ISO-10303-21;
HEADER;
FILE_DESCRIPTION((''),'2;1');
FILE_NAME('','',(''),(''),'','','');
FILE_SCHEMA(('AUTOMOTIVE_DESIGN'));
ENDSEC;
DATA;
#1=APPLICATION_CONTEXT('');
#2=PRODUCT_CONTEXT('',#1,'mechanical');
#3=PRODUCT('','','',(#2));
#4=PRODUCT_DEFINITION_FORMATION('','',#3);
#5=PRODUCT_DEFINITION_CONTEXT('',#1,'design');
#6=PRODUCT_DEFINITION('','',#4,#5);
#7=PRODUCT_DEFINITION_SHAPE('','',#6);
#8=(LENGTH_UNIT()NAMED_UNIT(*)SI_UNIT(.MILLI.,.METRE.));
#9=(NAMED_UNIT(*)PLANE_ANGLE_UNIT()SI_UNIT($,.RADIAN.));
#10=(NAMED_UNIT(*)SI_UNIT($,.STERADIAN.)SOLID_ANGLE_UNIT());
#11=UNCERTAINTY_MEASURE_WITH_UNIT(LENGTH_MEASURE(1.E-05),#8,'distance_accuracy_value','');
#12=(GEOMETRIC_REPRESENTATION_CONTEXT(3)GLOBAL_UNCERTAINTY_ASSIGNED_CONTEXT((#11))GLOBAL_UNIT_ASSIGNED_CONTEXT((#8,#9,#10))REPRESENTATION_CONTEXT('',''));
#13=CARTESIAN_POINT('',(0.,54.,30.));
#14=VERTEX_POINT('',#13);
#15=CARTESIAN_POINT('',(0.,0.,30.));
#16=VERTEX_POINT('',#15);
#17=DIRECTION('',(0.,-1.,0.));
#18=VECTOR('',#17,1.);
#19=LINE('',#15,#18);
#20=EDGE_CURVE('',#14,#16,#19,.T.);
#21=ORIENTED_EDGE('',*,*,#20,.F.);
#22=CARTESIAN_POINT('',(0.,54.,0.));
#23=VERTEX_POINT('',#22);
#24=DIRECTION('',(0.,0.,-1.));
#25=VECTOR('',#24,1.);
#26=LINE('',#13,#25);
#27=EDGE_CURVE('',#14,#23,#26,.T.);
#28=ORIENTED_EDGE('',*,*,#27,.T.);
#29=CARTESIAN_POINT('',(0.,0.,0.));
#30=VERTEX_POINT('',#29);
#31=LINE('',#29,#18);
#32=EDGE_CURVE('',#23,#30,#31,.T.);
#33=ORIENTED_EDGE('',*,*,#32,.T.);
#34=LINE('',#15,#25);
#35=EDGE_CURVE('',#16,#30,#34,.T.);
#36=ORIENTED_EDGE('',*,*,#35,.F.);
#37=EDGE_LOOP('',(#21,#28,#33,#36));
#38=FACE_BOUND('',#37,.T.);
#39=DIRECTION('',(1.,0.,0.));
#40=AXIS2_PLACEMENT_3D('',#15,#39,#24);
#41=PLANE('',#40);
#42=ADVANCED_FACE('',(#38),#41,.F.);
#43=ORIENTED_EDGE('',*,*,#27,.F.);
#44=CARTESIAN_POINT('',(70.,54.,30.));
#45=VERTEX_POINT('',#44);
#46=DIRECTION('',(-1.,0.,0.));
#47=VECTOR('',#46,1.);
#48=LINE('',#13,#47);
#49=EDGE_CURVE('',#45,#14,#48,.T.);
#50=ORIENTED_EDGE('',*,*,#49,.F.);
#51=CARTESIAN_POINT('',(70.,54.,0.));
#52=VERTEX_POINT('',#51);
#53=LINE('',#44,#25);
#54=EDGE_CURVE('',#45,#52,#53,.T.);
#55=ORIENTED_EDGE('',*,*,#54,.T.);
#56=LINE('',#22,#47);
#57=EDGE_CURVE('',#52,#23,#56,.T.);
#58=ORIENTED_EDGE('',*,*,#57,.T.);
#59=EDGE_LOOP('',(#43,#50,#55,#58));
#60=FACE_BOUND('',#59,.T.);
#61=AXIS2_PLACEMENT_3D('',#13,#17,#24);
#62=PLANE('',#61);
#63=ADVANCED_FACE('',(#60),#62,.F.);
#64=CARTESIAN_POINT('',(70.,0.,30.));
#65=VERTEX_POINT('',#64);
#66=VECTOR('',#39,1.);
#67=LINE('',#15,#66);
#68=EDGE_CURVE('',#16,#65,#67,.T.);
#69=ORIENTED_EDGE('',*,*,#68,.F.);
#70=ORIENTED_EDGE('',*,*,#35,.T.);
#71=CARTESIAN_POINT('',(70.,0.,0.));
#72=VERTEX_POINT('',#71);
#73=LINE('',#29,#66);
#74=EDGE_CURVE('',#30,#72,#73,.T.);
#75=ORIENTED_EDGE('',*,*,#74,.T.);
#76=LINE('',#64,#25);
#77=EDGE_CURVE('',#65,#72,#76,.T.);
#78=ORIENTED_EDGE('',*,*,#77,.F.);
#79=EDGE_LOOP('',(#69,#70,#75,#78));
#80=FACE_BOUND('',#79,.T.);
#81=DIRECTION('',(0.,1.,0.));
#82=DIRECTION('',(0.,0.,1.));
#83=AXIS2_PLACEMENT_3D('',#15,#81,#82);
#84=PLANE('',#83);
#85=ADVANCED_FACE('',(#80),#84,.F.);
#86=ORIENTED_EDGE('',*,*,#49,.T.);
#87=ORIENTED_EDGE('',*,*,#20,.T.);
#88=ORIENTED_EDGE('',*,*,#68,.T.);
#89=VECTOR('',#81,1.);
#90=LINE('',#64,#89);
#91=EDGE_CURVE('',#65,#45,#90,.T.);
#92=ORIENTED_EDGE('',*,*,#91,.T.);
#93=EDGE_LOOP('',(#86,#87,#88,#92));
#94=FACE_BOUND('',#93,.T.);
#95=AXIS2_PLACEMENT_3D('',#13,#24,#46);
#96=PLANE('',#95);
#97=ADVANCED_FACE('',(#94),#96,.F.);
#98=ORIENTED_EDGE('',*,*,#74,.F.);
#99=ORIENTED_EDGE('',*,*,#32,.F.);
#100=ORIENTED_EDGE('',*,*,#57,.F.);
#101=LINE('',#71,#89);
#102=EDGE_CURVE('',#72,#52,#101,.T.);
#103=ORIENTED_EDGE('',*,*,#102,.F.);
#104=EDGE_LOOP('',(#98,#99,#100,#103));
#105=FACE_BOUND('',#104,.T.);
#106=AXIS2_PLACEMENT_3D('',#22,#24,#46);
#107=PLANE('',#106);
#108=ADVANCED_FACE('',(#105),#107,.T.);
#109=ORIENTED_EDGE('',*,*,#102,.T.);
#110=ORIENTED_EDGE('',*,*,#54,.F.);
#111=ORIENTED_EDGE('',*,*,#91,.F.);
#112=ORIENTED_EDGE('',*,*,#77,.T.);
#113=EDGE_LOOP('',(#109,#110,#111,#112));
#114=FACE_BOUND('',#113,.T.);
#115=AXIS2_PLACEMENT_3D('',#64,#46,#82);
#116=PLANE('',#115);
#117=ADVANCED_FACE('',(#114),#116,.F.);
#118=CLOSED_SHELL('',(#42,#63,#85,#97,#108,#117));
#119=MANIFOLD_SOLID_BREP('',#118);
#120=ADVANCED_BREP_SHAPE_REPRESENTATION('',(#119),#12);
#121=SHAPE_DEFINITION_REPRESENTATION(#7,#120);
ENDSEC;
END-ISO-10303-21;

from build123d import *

# Parameters (mm, degrees)
SKETCH1_W           = 70
SKETCH1_H           = 54
BOSS_EXTRUDE1_DEPTH = 30


with BuildPart() as part:
    # Sketch1 → Boss-Extrude1 (new body)
    with BuildSketch(Plane.XY):
        with Locations((35, 27)):
            Rectangle(SKETCH1_W, SKETCH1_H)
    extrude(amount=BOSS_EXTRUDE1_DEPTH)


solid = part.part
